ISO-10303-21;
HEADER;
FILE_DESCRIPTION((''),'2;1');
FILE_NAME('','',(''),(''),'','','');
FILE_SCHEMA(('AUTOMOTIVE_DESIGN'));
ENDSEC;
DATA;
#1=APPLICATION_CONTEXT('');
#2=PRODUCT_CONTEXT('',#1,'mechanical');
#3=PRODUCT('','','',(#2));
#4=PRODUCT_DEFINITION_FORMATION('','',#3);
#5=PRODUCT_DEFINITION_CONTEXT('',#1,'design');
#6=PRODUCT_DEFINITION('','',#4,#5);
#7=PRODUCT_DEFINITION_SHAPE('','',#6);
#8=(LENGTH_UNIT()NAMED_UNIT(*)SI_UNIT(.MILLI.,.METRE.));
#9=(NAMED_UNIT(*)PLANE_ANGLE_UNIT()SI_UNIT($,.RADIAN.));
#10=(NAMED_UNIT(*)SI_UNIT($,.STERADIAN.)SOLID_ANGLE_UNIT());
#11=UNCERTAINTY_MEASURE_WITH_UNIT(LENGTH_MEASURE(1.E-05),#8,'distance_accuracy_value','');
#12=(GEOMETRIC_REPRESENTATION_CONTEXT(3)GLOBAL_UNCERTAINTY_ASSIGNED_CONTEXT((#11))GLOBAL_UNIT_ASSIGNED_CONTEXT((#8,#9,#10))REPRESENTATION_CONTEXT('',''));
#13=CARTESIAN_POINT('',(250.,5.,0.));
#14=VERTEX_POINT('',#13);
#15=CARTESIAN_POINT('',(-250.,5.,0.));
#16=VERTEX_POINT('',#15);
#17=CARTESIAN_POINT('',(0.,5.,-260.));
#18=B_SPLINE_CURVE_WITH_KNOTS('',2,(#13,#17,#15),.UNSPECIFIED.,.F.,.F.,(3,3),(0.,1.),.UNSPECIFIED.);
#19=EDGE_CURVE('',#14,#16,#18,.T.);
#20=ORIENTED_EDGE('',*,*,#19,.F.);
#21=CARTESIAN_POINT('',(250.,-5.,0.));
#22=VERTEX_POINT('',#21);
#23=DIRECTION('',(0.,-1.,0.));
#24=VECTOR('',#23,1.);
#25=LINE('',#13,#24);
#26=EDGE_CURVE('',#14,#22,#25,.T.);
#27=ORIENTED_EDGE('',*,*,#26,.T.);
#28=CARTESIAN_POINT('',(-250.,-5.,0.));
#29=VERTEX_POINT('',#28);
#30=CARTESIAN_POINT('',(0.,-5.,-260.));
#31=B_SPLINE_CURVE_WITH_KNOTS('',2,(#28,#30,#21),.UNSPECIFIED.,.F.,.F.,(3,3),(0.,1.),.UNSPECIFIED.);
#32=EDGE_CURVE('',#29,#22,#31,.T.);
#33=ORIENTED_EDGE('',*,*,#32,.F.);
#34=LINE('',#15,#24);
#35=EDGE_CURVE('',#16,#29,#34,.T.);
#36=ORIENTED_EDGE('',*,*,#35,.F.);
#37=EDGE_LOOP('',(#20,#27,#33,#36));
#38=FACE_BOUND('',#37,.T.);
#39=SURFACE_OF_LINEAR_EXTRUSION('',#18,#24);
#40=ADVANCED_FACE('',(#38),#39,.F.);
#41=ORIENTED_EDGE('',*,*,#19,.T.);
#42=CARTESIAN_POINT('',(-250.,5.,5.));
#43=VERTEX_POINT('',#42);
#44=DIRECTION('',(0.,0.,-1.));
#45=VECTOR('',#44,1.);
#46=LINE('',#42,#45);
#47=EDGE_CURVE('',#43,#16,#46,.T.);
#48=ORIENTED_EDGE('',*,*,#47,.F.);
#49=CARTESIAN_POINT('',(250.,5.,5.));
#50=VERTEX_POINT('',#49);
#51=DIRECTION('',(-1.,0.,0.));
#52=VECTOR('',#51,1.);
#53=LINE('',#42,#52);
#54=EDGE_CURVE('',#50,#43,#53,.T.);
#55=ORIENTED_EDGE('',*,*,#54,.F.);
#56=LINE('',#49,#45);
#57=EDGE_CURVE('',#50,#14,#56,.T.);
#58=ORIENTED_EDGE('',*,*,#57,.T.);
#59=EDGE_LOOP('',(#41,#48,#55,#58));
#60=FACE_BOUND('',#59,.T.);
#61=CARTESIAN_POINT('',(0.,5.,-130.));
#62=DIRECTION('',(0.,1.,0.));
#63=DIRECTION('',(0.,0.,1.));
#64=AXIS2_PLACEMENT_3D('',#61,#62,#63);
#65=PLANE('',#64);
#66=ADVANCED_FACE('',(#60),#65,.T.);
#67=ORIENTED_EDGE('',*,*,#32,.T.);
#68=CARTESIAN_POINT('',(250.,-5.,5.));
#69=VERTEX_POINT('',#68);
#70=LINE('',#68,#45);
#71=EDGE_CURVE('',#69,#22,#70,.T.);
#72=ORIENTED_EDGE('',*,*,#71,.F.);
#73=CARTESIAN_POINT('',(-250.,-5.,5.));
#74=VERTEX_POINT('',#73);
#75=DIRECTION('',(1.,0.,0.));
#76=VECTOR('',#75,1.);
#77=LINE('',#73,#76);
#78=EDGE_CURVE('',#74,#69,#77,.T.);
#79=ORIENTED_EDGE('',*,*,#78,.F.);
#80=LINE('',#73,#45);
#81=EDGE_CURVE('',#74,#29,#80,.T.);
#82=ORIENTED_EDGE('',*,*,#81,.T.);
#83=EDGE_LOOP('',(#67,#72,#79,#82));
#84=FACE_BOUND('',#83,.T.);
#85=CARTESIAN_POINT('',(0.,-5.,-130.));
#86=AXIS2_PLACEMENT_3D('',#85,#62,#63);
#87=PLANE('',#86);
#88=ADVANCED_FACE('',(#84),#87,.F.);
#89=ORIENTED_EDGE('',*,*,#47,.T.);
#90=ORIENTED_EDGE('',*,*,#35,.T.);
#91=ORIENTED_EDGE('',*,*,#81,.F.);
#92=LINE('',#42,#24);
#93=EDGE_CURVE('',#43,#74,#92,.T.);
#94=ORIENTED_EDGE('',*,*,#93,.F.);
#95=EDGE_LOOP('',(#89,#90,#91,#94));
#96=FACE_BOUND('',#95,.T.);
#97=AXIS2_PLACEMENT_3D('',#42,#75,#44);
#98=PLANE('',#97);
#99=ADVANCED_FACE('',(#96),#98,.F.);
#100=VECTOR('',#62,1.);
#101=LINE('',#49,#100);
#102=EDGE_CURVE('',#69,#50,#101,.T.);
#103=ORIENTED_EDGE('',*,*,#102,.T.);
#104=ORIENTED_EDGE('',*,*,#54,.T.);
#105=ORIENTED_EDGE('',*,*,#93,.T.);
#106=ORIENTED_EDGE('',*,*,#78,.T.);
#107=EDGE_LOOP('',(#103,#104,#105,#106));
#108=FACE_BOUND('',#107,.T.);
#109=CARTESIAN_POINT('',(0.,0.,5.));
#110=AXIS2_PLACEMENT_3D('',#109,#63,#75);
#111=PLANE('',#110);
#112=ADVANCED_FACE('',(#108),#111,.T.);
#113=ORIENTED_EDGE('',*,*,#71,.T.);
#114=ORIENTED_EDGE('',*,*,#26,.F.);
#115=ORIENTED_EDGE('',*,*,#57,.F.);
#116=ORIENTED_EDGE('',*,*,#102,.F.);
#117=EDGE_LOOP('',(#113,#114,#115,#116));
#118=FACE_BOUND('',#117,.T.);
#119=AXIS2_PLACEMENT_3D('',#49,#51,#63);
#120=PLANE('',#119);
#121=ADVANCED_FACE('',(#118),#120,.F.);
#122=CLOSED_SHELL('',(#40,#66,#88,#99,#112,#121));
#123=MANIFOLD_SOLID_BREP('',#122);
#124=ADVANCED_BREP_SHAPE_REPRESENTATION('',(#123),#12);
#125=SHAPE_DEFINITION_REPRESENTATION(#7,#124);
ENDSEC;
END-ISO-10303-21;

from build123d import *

# Parameters (mm, degrees)
EXTRUDE_3_DEPTH = 5
EXTRUDE_4_DEPTH = 5
SKETCH_4_W      = 500
SKETCH_4_H      = 10
EXTRUDE_5_DEPTH = 5


with BuildPart() as part:
    # 草图1 → 凸台-拉伸3 (new body)
    with BuildSketch(Plane(origin=(0, 0, 0), x_dir=(1, 0, 0), z_dir=(0, 1, 0))):
        with BuildLine():
            Line((0, 0), (-250, 0))
            add(Edge.make_bspline(
                [(-250, 0), (0, 260), (250, 0)],
                knots=[0, 0, 0, 1, 1, 1], degree=2))
            Line((250, 0), (0, 0))
        make_face()
    extrude(amount=EXTRUDE_3_DEPTH)

    # 草图3 → 凸台-拉伸4 (add)
    with BuildSketch(Plane.XZ):
        with BuildLine():
            Line((-250, 0), (250, 0))
            add(Edge.make_bspline(
                [(-250, 0), (-1e-09, -260), (250, 0)],
                knots=[0, 0, 0, 1, 1, 1], degree=2))
        make_face()
    extrude(amount=EXTRUDE_4_DEPTH)

    # 草图4 → 凸台-拉伸5 (add)
    with BuildSketch(Plane.XY):
        Rectangle(SKETCH_4_W, SKETCH_4_H)
    extrude(amount=EXTRUDE_5_DEPTH)


solid = part.part
